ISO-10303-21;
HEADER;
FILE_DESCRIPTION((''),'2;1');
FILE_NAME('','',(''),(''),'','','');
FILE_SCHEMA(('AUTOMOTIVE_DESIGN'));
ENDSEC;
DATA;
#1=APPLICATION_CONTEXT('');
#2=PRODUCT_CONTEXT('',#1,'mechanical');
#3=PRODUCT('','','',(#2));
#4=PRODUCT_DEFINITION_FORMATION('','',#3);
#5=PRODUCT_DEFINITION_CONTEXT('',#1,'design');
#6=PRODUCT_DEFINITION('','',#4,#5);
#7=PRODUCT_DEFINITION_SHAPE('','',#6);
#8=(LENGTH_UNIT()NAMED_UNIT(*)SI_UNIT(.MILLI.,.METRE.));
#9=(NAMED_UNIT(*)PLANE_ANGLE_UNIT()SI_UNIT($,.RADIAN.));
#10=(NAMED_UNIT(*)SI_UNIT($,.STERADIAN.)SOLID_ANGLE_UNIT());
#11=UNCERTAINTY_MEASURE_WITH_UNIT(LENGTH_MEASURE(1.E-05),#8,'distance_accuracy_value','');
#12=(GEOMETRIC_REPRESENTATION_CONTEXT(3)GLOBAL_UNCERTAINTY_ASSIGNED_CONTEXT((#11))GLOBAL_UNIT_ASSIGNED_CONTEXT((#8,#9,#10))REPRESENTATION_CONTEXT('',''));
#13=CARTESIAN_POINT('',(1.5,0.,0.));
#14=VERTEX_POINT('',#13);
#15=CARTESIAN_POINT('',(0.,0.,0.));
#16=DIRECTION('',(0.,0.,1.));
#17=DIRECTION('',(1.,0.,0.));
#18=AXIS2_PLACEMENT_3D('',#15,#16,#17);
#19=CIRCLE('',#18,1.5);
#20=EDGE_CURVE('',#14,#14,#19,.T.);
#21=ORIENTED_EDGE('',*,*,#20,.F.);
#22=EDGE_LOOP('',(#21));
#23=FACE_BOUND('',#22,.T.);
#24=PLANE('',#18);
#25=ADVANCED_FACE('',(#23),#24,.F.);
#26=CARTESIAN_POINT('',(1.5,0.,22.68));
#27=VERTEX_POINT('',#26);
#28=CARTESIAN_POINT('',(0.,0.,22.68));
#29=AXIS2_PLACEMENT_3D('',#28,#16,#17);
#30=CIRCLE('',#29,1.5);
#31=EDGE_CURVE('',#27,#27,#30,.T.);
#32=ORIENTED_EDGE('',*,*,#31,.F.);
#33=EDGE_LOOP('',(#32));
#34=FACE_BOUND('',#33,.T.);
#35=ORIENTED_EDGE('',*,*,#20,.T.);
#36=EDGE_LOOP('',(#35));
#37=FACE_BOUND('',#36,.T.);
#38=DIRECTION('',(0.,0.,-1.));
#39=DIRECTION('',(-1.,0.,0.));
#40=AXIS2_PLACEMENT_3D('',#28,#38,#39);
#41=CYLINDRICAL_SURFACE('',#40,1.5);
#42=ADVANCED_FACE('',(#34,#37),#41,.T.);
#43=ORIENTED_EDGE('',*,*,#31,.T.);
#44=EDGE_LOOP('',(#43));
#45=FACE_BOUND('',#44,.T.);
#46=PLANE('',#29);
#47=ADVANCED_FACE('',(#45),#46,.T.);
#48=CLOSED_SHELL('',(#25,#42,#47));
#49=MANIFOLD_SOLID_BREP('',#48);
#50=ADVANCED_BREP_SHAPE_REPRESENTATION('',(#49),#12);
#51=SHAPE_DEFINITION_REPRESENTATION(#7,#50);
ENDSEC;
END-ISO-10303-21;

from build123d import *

# Parameters (mm, degrees)
SKETCH1_R           = 1.5
BOSS_EXTRUDE1_DEPTH = 22.68


with BuildPart() as part:
    # Sketch1 → Boss-Extrude1 (new body)
    with BuildSketch(Plane.XY):
        Circle(SKETCH1_R)
    extrude(amount=BOSS_EXTRUDE1_DEPTH)


solid = part.part
